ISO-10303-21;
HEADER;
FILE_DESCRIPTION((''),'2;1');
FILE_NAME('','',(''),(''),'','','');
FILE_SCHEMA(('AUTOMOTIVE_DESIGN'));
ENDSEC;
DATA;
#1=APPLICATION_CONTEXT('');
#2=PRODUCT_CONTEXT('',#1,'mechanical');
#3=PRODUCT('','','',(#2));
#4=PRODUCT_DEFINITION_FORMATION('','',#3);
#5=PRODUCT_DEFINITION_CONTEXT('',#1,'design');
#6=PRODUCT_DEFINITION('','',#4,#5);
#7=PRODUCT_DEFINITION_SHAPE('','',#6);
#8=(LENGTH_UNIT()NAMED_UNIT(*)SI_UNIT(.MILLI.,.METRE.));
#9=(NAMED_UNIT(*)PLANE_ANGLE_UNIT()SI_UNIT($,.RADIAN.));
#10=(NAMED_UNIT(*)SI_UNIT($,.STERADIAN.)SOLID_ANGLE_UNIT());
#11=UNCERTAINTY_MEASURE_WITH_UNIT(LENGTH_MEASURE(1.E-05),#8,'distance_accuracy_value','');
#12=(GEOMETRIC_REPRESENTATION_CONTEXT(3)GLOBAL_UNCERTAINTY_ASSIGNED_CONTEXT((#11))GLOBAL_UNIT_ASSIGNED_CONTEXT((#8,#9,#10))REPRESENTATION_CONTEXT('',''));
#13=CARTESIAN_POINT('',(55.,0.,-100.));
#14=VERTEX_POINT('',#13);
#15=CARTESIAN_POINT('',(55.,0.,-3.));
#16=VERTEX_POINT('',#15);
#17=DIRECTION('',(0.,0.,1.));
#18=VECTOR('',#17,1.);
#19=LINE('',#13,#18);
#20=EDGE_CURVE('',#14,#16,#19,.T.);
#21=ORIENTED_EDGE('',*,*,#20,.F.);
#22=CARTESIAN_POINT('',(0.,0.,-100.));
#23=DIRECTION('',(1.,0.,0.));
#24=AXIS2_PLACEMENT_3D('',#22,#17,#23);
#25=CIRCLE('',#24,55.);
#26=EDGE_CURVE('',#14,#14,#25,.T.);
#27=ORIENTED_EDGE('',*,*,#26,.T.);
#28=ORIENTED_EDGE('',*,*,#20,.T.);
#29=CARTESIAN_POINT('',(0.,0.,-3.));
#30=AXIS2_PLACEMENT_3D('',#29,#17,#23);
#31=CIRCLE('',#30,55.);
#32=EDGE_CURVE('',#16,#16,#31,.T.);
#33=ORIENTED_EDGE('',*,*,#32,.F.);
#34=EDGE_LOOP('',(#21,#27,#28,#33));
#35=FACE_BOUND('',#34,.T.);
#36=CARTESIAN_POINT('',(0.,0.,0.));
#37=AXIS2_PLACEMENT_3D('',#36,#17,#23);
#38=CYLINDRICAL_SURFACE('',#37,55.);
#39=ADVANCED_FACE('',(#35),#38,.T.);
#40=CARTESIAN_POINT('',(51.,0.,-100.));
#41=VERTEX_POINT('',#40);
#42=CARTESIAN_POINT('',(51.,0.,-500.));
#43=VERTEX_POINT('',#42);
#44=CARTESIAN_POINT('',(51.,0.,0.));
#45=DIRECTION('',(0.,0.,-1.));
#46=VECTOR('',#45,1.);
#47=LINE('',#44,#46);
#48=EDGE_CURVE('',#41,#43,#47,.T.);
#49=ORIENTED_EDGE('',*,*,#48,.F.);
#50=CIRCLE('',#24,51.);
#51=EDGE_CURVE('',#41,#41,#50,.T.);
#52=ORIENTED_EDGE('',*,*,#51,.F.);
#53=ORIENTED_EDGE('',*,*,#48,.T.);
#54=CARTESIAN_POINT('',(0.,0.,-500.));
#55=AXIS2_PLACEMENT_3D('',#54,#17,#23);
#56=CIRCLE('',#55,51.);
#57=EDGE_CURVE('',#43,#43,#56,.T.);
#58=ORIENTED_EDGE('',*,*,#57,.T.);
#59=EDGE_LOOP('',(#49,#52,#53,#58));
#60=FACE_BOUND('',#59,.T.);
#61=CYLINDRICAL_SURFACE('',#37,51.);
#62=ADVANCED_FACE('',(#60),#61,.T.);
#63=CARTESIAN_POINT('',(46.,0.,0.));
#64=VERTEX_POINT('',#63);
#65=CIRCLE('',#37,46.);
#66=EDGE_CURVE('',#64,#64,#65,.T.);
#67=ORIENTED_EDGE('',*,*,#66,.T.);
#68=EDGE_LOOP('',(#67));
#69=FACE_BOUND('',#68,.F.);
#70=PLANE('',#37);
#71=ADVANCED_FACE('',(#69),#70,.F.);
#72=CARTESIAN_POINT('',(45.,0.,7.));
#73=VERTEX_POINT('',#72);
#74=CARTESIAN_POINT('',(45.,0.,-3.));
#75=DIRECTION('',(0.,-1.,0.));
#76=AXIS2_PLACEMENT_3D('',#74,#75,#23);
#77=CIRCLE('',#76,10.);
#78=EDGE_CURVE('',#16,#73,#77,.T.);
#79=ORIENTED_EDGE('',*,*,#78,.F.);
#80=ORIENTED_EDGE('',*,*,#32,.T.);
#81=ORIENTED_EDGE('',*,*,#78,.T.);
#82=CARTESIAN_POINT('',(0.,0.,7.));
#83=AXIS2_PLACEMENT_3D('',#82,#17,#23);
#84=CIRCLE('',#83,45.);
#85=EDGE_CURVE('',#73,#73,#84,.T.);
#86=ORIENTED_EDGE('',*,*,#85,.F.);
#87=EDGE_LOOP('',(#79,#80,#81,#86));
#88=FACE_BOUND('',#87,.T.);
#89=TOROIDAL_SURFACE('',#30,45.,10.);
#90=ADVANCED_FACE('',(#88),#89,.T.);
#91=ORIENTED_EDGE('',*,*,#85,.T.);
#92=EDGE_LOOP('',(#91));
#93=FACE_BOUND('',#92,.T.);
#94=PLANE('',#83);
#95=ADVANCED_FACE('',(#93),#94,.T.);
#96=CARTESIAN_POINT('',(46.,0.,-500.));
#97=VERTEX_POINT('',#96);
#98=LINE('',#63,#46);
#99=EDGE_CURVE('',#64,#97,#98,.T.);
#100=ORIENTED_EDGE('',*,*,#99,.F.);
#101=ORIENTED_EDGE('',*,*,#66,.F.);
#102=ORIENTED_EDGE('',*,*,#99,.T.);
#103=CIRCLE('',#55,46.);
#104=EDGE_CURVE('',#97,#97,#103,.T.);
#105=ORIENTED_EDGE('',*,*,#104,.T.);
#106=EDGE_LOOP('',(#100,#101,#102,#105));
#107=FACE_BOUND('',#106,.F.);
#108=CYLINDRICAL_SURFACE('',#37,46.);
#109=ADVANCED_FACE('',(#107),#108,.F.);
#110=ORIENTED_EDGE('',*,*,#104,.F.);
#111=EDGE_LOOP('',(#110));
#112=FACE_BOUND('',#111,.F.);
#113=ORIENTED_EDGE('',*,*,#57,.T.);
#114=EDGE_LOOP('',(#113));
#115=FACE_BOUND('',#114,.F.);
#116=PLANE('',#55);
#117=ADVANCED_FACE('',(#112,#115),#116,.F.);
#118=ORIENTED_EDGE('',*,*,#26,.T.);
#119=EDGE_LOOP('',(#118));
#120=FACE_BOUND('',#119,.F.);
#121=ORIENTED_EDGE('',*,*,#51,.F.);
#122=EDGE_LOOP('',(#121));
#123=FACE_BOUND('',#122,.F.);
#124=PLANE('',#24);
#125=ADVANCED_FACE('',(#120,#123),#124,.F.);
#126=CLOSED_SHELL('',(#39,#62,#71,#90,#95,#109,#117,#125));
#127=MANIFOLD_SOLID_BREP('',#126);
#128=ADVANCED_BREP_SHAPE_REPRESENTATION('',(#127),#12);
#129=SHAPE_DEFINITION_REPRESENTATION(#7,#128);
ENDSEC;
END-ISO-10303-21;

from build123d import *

# Parameters (mm, degrees)
F0_R     = 55
F0_R_2   = 51
F0_R_3   = 46
F1_DEPTH = 7
F2_DEPTH = 500
F3_DEPTH = 100
F4_R     = 10


with BuildPart() as f1:
    # F0 (on Top) → F1 (new body)
    with BuildSketch(Plane.XY):
        Circle(F0_R)
        Circle(F0_R_2, mode=Mode.SUBTRACT)
        Circle(F0_R_2)
        Circle(F0_R_3, mode=Mode.SUBTRACT)
        Circle(F0_R_3)
    extrude(amount=F1_DEPTH)

    # F0 (on Top) → F2 (join)
    with BuildSketch(Plane.XY):
        Circle(F0_R_2)
        Circle(F0_R_3, mode=Mode.SUBTRACT)
    extrude(amount=-F2_DEPTH)

    # F0 (on Top) → F3 (join)
    with BuildSketch(Plane.XY):
        Circle(F0_R)
        Circle(F0_R_2, mode=Mode.SUBTRACT)
    extrude(amount=-F3_DEPTH)

    # F4
    f4_edges = [f1.edges().sort_by_distance(p)[0] for p in [
        (-55, 0, 7),
    ]]
    fillet(f4_edges, radius=F4_R)


solid = f1.part
